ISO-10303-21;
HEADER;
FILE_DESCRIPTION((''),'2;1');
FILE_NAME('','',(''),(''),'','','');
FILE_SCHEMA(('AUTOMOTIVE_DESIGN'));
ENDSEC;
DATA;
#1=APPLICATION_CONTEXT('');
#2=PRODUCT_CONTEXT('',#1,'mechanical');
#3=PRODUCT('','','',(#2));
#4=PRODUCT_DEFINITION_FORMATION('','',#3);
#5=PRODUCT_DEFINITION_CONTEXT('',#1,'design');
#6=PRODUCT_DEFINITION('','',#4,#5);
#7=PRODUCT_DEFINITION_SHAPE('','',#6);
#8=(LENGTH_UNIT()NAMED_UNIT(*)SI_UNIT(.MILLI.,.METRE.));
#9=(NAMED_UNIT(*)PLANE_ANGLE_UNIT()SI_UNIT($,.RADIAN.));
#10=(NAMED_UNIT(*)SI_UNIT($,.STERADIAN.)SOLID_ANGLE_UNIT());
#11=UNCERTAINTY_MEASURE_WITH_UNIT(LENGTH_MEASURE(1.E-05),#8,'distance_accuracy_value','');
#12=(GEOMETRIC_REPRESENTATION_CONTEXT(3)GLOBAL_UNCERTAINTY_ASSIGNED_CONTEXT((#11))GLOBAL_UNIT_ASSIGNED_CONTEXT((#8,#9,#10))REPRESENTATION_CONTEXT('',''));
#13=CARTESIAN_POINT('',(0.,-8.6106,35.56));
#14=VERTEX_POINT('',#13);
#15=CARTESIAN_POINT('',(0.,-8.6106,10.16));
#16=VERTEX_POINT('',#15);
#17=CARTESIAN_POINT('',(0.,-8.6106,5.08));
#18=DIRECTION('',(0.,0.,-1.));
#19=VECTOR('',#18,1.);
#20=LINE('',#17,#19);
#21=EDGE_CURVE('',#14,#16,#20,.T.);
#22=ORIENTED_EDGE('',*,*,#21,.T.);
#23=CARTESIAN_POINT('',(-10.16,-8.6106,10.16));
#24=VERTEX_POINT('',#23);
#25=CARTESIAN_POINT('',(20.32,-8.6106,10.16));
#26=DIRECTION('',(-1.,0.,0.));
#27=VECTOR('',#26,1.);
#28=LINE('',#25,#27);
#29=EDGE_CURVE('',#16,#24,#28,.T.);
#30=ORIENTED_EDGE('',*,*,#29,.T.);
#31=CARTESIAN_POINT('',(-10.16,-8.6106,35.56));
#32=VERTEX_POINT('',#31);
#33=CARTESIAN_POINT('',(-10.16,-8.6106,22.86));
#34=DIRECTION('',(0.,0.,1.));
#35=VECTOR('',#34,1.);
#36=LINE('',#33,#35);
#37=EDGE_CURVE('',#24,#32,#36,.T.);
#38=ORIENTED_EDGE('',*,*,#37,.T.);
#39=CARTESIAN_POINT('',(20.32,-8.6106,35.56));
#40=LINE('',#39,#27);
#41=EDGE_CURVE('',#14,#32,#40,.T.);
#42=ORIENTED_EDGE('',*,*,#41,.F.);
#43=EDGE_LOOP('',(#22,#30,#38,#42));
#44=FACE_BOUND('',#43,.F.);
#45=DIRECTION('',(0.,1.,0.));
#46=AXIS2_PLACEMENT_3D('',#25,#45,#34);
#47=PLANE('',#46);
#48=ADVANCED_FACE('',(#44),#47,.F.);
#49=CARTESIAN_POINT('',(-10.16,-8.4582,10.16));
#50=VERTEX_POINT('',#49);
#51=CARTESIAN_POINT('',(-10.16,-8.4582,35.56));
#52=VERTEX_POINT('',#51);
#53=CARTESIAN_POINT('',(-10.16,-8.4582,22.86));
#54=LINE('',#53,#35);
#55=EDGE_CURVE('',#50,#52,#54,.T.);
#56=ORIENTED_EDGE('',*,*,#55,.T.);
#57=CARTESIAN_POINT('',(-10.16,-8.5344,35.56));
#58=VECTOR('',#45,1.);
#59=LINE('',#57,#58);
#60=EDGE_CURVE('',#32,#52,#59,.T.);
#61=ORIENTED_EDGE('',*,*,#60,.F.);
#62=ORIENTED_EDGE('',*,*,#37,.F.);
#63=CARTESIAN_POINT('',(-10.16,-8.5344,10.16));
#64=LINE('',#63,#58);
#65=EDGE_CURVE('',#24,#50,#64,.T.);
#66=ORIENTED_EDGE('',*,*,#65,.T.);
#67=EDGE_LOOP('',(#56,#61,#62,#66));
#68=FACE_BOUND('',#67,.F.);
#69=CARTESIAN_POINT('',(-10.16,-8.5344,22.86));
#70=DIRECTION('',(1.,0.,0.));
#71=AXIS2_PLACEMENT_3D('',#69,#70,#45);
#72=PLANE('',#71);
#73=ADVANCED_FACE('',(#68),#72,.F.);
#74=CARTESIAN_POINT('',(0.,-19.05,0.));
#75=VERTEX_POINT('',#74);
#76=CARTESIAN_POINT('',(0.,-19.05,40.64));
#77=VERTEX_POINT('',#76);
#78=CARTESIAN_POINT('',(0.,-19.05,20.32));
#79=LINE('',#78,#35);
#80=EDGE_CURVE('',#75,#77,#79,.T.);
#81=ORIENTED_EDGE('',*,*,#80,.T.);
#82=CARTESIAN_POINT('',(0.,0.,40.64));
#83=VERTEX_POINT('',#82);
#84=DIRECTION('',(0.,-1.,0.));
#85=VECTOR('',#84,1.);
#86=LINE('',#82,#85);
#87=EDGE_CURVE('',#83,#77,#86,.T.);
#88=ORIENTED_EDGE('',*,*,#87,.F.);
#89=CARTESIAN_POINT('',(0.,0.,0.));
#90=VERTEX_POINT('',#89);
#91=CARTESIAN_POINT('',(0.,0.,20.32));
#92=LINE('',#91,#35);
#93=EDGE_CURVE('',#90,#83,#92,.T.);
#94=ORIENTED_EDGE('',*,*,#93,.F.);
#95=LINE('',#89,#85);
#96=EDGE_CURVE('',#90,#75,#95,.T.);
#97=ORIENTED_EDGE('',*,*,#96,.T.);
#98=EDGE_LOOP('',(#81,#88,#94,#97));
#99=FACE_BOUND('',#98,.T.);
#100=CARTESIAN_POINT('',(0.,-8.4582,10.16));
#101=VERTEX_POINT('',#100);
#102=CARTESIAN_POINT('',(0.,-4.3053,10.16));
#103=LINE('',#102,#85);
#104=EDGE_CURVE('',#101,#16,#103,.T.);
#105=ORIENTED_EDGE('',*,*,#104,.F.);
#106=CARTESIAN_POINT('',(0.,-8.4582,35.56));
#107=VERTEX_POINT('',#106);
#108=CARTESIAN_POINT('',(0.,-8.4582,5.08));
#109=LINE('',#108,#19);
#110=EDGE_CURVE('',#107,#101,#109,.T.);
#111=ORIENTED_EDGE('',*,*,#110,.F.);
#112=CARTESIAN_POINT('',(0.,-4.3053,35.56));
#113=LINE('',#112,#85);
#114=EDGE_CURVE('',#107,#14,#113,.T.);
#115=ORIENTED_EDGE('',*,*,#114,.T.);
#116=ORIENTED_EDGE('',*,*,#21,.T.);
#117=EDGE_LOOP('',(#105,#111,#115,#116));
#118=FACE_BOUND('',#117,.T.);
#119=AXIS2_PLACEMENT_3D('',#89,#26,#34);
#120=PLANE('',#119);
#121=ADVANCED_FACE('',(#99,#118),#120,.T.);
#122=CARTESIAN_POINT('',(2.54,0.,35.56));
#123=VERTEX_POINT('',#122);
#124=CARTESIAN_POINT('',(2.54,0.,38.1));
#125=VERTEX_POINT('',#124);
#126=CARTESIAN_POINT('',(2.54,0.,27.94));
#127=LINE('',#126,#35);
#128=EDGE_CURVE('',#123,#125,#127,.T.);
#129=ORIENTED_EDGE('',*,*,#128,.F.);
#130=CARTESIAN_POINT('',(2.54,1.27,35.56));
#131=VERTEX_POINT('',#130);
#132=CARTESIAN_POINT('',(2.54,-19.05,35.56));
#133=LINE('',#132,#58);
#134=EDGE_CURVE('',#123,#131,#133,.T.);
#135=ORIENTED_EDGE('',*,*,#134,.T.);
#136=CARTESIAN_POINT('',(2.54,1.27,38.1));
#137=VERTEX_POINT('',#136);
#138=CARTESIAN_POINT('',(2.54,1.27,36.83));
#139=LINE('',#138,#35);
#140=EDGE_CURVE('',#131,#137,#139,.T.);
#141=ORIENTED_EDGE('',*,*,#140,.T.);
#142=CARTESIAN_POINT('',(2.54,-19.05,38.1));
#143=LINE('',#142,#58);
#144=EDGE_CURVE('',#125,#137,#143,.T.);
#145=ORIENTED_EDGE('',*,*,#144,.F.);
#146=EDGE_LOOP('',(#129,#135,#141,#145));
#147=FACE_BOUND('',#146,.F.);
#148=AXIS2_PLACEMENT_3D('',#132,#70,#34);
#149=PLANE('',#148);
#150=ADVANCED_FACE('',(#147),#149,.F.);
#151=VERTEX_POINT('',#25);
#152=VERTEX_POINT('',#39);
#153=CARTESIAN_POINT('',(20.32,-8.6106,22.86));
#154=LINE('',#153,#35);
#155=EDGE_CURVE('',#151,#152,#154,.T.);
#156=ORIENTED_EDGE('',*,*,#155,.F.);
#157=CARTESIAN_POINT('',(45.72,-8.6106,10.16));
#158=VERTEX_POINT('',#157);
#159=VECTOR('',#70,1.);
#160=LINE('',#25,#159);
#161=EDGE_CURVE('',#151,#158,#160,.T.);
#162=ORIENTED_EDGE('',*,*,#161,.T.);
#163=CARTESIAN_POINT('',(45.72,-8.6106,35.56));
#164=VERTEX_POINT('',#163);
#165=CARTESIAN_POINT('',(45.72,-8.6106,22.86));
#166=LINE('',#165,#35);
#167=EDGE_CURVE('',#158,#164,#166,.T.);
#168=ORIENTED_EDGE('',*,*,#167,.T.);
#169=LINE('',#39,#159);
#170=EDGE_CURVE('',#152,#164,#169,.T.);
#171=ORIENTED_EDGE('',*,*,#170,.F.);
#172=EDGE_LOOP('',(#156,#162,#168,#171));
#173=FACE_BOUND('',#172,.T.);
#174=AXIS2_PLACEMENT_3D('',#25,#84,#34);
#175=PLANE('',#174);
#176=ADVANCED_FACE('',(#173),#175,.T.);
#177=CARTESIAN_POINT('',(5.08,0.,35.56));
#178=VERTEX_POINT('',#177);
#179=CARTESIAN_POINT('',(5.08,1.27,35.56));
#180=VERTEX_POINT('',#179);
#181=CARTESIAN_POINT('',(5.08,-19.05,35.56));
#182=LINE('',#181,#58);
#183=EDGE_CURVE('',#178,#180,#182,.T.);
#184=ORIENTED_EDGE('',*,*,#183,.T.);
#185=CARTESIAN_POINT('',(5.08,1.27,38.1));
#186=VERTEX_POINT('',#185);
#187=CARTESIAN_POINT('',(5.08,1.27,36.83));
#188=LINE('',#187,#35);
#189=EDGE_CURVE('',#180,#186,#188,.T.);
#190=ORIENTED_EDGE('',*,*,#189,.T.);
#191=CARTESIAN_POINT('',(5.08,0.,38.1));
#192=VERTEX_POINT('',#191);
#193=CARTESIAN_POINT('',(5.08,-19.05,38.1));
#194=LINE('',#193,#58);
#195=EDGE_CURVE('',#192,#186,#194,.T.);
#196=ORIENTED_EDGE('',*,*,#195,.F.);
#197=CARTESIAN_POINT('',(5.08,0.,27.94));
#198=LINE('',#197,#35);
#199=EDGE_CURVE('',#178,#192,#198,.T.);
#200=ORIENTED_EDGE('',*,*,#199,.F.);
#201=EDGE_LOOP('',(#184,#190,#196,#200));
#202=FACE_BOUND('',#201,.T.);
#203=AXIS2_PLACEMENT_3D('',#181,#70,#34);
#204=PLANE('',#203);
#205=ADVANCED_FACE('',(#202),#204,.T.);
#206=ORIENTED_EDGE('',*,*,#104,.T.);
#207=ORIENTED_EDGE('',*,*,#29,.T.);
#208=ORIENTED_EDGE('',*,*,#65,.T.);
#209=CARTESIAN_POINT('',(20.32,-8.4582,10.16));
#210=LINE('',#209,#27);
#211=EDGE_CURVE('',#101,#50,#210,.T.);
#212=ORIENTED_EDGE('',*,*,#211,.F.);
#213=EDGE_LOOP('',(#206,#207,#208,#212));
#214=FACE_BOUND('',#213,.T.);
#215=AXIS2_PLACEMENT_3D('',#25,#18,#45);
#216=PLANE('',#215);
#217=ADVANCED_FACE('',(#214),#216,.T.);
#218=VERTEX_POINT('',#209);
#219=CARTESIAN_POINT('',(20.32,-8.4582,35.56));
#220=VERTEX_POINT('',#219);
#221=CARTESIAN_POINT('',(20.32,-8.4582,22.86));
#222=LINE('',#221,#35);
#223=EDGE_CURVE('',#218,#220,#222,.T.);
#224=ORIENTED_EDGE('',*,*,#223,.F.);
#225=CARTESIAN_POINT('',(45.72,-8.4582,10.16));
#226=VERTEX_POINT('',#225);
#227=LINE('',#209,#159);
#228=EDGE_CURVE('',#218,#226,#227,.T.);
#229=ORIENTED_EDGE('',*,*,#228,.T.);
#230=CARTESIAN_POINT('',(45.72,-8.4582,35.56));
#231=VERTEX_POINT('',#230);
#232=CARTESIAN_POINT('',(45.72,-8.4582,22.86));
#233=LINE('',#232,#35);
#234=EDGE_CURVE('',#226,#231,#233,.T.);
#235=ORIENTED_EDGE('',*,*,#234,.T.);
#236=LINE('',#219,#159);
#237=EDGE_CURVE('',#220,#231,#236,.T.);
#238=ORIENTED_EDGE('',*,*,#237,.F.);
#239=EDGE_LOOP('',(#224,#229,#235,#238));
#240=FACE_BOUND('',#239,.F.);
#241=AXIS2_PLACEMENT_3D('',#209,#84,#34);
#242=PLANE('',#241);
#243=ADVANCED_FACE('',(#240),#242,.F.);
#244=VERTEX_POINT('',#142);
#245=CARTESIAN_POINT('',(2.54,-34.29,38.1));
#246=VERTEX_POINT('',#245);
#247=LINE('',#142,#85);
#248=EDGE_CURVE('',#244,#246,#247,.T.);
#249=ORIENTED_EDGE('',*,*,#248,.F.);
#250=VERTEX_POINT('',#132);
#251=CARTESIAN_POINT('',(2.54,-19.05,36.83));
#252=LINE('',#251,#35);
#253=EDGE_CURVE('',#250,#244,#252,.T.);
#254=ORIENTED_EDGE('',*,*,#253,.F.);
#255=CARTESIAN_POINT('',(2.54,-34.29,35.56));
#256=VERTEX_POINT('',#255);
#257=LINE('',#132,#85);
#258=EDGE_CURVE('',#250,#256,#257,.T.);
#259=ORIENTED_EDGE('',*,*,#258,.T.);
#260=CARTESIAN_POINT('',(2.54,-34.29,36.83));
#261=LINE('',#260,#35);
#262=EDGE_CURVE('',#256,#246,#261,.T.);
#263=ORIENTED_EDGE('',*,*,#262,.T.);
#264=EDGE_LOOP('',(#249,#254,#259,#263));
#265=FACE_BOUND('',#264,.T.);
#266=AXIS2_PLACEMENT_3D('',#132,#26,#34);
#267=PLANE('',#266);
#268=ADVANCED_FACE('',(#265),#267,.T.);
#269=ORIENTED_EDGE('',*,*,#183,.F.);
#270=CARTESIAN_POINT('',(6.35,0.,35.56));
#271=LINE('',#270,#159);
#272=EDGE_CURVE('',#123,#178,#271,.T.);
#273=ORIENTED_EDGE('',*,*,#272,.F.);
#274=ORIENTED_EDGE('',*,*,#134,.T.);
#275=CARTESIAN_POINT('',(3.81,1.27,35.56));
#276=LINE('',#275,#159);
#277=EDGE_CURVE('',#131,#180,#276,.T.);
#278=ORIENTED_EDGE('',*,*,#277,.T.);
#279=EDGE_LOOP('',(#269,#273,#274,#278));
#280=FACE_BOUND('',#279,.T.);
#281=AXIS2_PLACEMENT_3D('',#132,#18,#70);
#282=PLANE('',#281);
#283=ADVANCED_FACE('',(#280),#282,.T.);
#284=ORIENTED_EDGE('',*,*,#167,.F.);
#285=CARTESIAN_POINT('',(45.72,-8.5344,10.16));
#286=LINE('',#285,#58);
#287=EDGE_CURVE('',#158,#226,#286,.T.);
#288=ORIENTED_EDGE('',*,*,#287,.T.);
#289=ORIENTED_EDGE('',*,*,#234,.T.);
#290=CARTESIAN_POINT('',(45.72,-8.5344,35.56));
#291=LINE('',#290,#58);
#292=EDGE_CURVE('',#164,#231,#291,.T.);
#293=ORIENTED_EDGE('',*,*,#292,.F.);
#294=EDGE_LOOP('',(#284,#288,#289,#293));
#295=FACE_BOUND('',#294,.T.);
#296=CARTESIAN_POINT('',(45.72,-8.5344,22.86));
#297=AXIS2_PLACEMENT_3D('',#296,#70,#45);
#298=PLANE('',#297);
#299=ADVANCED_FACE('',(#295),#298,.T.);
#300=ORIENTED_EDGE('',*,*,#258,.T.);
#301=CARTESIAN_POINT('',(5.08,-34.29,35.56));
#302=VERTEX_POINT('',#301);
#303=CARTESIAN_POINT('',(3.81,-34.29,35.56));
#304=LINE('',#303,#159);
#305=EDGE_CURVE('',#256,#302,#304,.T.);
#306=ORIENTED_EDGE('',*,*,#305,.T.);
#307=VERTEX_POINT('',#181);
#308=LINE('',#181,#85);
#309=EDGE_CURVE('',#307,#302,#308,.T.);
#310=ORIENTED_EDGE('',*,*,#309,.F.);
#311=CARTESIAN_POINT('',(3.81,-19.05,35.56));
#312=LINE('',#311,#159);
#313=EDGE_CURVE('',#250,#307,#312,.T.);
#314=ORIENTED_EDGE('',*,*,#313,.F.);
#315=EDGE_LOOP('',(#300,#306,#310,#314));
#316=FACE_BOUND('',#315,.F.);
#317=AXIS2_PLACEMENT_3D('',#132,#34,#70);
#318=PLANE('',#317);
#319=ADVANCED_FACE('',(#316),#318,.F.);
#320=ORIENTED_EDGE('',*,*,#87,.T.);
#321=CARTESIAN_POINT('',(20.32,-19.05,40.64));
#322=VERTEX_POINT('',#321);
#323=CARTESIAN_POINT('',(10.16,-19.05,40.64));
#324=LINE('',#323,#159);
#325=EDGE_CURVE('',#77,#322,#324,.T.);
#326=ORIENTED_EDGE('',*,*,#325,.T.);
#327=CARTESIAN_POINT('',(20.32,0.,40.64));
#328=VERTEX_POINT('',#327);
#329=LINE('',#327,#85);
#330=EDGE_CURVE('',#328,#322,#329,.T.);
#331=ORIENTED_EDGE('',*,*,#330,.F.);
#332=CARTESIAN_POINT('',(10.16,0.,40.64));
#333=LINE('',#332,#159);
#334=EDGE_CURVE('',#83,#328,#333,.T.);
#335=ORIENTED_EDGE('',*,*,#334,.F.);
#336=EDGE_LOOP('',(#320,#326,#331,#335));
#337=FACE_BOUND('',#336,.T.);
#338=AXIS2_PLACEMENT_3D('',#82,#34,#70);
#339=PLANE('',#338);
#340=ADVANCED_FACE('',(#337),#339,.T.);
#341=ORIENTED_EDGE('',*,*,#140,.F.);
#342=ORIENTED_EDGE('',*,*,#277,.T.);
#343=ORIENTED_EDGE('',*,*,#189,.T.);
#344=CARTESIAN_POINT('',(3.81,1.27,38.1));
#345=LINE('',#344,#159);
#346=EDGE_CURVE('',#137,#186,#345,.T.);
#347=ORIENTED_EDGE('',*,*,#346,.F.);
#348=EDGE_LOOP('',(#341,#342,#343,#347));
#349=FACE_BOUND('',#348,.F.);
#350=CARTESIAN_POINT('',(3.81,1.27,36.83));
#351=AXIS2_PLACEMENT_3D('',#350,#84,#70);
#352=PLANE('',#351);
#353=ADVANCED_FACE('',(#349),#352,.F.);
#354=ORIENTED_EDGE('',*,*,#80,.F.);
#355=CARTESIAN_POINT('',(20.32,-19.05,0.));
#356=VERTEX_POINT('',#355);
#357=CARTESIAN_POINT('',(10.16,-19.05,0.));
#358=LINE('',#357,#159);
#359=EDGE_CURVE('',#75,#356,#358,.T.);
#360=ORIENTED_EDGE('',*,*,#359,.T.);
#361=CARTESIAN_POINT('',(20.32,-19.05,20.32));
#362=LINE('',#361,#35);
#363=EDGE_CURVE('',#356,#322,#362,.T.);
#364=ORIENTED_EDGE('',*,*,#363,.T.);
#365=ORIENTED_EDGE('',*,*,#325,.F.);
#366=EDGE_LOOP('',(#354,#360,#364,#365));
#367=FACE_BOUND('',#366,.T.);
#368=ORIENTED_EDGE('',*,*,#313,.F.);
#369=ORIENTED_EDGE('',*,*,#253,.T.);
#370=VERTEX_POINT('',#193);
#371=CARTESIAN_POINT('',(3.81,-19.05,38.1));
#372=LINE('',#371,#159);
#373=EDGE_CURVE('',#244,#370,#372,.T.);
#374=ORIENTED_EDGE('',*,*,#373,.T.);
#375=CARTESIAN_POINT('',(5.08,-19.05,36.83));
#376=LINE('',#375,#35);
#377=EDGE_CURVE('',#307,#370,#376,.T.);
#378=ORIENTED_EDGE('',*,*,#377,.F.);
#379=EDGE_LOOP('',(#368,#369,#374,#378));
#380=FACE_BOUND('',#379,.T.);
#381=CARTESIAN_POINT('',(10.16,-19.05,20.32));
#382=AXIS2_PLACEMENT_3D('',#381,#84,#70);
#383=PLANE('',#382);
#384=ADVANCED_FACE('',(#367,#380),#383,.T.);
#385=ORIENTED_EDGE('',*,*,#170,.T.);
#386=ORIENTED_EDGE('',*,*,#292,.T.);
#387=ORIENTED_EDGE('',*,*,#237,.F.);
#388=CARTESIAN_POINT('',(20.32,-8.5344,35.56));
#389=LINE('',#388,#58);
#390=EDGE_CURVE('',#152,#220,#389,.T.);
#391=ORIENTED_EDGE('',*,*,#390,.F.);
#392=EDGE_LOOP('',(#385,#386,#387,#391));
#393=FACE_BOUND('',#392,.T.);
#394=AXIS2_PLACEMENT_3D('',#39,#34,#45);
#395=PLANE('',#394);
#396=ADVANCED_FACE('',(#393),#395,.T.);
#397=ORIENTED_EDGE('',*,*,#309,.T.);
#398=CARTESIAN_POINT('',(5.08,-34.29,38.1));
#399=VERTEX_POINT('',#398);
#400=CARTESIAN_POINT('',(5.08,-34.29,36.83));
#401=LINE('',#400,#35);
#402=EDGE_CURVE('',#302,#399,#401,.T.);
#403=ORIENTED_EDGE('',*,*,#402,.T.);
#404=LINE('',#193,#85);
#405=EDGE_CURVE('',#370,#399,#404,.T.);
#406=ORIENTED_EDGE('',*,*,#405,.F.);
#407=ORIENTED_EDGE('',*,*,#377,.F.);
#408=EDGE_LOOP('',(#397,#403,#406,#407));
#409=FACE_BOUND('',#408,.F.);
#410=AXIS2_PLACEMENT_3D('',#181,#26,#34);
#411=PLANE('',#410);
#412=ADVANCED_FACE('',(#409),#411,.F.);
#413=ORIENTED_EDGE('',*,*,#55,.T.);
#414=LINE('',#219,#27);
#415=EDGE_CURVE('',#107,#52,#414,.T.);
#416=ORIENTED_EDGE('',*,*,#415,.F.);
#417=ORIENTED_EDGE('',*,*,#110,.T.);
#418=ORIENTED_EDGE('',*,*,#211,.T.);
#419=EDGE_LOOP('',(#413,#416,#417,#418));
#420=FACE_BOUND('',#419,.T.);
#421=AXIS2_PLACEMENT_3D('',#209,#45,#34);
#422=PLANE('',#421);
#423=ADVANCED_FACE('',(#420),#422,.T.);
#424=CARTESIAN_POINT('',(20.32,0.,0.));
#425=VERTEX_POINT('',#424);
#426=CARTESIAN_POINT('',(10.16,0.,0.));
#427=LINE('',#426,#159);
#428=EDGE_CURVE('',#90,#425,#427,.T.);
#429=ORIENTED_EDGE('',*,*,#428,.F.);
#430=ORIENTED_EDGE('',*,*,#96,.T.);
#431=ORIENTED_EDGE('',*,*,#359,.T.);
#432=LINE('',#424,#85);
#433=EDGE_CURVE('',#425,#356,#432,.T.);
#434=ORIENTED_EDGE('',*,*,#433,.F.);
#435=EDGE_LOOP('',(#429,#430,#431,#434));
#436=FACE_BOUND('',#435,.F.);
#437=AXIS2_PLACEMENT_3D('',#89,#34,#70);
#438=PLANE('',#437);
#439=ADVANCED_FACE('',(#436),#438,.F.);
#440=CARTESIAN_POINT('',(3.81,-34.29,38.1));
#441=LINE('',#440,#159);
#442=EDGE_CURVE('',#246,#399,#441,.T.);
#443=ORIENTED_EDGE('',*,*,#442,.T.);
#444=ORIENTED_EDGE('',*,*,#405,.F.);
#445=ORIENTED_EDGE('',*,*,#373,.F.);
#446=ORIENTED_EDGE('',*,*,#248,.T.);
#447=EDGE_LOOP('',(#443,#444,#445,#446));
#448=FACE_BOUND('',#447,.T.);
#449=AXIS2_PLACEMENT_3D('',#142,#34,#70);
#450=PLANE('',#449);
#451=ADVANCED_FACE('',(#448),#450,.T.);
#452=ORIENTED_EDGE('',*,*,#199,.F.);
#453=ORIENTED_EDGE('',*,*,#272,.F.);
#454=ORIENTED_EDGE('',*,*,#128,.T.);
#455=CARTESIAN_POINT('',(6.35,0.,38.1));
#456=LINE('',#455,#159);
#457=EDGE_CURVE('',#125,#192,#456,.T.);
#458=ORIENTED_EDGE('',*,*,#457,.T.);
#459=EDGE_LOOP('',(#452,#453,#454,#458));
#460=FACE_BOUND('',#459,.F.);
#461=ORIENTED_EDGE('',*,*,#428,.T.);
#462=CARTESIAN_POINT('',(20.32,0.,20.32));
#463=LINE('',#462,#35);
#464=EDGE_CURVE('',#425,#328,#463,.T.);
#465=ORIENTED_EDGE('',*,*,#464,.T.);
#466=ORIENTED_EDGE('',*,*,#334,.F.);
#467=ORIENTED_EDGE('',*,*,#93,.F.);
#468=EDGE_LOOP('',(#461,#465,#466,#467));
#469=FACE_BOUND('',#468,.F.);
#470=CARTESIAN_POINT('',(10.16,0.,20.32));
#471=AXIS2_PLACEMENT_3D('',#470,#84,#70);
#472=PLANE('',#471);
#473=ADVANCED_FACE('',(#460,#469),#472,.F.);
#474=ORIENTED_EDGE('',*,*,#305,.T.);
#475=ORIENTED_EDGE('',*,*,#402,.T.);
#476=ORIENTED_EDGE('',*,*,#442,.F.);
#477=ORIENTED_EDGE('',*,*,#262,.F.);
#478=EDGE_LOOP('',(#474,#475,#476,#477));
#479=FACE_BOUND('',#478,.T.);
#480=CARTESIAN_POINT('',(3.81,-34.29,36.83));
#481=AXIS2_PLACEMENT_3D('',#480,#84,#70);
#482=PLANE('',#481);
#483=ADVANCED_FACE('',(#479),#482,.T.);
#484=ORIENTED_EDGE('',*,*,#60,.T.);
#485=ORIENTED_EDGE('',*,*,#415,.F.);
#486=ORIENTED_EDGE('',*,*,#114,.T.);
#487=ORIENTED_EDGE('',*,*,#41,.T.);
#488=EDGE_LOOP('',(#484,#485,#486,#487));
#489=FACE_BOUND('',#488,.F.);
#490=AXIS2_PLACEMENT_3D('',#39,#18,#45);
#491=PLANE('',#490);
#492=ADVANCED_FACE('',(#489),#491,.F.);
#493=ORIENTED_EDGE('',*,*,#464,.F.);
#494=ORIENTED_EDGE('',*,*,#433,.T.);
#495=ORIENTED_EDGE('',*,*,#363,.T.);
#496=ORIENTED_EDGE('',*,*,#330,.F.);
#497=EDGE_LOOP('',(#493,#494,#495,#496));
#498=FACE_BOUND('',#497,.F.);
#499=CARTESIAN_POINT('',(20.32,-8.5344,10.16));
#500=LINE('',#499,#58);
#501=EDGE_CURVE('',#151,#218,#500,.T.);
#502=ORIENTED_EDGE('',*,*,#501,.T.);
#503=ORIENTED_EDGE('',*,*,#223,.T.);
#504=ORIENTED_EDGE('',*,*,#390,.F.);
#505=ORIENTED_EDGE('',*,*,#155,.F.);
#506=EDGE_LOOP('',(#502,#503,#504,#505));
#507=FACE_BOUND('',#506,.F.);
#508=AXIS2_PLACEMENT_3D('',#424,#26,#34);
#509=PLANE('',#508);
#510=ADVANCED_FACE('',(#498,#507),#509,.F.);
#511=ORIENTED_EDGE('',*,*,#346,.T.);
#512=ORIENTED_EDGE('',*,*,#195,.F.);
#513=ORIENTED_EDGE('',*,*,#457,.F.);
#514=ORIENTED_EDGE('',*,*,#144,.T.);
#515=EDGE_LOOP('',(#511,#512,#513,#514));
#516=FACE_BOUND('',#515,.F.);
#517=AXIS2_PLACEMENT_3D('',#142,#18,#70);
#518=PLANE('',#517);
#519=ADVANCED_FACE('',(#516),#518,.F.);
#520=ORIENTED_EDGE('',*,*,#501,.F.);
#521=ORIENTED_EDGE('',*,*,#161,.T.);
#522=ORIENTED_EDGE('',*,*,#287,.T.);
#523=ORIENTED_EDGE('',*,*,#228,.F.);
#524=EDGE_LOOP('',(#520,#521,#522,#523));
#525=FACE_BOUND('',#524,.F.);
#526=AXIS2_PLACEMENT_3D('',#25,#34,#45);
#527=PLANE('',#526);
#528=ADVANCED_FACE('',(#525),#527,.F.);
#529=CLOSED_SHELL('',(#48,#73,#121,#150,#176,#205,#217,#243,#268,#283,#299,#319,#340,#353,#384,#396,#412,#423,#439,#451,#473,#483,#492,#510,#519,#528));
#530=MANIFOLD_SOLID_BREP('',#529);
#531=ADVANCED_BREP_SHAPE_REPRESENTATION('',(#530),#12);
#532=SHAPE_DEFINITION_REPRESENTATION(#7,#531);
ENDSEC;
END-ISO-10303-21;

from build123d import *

# Parameters (mm, degrees)
F0_W          = 20.32
F0_H          = 40.64
F1_DEPTH      = 19.05
F2_W          = 0.1524
F2_H          = 25.4
F3_DEPTH      = 25.4
F3_DEPTH_BACK = 30.48
F4_W          = 2.54
F4_H          = 2.54
F5_DEPTH      = 15.24
F5_DEPTH_BACK = 20.32


with BuildPart() as f1:
    # F0 (on Front) → F1 (new body)
    with BuildSketch(Plane.XZ):
        with Locations((10.16, 20.32)):
            Rectangle(F0_W, F0_H)
    extrude(amount=F1_DEPTH)

    # F2 (on face) → F3 (join, two sides)
    with BuildSketch(Plane.YZ.offset(20.32)) as f3_sk:
        with Locations((-8.5344, 22.86)):
            Rectangle(F2_W, F2_H)
    extrude(amount=F3_DEPTH)
    extrude(f3_sk.sketch, amount=-F3_DEPTH_BACK)

    # F4 (on face) → F5 (join, two sides)
    with BuildSketch(Plane.XZ.offset(19.05)) as f5_sk:
        with Locations((3.81, 36.83)):
            Rectangle(F4_W, F4_H)
    extrude(amount=F5_DEPTH)
    extrude(f5_sk.sketch, amount=-F5_DEPTH_BACK)


solid = f1.part
